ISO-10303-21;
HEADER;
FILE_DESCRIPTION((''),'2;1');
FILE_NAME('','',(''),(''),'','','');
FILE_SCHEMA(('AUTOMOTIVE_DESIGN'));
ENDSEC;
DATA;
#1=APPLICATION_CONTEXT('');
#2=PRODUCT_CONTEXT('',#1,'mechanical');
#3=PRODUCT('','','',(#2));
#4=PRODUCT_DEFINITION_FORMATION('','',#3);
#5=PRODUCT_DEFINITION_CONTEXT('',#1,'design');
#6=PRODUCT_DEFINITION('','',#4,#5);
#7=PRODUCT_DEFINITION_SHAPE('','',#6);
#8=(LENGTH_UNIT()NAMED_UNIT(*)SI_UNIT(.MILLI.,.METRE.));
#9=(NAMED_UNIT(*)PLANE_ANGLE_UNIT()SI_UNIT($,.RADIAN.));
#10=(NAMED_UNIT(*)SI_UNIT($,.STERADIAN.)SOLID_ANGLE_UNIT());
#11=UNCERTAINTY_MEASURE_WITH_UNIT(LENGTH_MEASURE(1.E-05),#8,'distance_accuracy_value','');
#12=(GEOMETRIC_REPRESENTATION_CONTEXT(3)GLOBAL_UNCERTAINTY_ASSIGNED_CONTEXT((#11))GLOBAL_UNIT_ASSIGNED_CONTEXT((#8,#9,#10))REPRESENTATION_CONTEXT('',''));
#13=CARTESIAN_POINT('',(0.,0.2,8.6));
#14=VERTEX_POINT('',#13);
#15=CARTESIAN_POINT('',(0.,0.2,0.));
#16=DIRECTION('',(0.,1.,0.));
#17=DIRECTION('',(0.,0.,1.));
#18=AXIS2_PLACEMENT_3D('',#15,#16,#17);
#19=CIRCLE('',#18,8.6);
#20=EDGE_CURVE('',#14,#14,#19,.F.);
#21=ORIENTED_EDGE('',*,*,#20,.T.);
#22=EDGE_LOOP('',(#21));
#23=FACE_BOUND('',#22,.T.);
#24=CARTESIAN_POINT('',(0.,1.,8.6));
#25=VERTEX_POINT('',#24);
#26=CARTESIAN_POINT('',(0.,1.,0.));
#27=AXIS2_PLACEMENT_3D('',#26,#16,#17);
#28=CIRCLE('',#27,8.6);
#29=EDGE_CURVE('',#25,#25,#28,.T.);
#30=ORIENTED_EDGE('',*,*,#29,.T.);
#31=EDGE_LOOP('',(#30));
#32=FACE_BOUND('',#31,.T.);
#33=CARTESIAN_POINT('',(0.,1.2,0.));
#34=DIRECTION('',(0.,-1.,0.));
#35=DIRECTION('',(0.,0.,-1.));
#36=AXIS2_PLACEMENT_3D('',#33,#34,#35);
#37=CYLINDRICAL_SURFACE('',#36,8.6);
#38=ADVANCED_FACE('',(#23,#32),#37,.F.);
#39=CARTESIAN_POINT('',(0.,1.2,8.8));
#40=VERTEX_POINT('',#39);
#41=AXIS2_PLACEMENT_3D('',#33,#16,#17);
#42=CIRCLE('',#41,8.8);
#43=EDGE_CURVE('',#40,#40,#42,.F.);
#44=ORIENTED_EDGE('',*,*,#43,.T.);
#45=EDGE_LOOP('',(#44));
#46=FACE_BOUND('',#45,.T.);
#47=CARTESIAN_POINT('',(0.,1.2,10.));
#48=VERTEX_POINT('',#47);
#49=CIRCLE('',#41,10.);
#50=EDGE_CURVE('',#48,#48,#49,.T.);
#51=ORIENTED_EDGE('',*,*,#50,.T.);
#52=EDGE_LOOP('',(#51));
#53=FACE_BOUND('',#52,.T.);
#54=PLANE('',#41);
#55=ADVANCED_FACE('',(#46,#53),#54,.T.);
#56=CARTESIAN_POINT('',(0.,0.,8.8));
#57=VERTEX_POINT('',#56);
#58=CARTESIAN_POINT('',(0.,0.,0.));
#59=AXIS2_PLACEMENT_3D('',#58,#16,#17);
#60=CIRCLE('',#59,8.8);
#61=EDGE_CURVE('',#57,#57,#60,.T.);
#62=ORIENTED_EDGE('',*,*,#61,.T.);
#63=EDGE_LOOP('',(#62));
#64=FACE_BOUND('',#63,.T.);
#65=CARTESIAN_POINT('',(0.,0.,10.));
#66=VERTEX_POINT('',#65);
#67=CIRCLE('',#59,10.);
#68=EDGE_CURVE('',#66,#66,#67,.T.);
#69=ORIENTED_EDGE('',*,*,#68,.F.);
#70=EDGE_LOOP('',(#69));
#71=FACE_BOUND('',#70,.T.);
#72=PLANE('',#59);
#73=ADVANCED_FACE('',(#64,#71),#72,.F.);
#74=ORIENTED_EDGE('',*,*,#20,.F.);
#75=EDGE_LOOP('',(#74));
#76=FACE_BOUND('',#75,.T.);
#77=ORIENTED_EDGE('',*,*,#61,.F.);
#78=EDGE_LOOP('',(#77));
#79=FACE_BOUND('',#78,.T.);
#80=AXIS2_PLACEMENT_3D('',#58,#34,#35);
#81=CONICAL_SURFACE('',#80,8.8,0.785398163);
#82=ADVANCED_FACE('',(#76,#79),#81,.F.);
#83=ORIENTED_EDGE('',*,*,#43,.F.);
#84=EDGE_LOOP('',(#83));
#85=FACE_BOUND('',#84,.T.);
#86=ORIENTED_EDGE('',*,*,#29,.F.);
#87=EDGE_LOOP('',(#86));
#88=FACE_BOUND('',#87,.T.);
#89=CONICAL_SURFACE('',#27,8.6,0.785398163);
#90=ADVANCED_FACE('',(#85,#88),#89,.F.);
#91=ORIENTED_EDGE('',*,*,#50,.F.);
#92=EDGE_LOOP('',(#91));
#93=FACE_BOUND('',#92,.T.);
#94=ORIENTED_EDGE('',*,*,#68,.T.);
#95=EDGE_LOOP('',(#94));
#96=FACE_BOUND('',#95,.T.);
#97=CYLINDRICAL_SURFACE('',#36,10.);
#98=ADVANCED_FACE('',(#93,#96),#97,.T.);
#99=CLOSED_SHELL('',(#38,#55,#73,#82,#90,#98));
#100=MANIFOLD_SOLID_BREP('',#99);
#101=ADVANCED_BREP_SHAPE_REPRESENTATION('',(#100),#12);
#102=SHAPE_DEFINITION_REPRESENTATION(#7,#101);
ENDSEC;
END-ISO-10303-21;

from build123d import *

# Parameters (mm, degrees)
SKETCH_1_R      = 10
SKETCH_1_R_2    = 8.6
EXTRUDE_1_DEPTH = 1.2
CHAMFER_1_SIZE  = 0.2


with BuildPart() as part:
    # 草图1 → 凸台-拉伸1 (new body)
    with BuildSketch(Plane(origin=(0, 0, 0), x_dir=(1, 0, 0), z_dir=(0, 1, 0))):
        Circle(SKETCH_1_R)
        Circle(SKETCH_1_R_2, mode=Mode.SUBTRACT)
    extrude(amount=EXTRUDE_1_DEPTH)

    # 倒角1
    chamfer_1_edges = [part.edges().sort_by_distance(p)[0] for p in [
        (-8.6, 0, 0),
        (-8.6, 1.2, 0),
    ]]
    chamfer(chamfer_1_edges, length=CHAMFER_1_SIZE)


solid = part.part
